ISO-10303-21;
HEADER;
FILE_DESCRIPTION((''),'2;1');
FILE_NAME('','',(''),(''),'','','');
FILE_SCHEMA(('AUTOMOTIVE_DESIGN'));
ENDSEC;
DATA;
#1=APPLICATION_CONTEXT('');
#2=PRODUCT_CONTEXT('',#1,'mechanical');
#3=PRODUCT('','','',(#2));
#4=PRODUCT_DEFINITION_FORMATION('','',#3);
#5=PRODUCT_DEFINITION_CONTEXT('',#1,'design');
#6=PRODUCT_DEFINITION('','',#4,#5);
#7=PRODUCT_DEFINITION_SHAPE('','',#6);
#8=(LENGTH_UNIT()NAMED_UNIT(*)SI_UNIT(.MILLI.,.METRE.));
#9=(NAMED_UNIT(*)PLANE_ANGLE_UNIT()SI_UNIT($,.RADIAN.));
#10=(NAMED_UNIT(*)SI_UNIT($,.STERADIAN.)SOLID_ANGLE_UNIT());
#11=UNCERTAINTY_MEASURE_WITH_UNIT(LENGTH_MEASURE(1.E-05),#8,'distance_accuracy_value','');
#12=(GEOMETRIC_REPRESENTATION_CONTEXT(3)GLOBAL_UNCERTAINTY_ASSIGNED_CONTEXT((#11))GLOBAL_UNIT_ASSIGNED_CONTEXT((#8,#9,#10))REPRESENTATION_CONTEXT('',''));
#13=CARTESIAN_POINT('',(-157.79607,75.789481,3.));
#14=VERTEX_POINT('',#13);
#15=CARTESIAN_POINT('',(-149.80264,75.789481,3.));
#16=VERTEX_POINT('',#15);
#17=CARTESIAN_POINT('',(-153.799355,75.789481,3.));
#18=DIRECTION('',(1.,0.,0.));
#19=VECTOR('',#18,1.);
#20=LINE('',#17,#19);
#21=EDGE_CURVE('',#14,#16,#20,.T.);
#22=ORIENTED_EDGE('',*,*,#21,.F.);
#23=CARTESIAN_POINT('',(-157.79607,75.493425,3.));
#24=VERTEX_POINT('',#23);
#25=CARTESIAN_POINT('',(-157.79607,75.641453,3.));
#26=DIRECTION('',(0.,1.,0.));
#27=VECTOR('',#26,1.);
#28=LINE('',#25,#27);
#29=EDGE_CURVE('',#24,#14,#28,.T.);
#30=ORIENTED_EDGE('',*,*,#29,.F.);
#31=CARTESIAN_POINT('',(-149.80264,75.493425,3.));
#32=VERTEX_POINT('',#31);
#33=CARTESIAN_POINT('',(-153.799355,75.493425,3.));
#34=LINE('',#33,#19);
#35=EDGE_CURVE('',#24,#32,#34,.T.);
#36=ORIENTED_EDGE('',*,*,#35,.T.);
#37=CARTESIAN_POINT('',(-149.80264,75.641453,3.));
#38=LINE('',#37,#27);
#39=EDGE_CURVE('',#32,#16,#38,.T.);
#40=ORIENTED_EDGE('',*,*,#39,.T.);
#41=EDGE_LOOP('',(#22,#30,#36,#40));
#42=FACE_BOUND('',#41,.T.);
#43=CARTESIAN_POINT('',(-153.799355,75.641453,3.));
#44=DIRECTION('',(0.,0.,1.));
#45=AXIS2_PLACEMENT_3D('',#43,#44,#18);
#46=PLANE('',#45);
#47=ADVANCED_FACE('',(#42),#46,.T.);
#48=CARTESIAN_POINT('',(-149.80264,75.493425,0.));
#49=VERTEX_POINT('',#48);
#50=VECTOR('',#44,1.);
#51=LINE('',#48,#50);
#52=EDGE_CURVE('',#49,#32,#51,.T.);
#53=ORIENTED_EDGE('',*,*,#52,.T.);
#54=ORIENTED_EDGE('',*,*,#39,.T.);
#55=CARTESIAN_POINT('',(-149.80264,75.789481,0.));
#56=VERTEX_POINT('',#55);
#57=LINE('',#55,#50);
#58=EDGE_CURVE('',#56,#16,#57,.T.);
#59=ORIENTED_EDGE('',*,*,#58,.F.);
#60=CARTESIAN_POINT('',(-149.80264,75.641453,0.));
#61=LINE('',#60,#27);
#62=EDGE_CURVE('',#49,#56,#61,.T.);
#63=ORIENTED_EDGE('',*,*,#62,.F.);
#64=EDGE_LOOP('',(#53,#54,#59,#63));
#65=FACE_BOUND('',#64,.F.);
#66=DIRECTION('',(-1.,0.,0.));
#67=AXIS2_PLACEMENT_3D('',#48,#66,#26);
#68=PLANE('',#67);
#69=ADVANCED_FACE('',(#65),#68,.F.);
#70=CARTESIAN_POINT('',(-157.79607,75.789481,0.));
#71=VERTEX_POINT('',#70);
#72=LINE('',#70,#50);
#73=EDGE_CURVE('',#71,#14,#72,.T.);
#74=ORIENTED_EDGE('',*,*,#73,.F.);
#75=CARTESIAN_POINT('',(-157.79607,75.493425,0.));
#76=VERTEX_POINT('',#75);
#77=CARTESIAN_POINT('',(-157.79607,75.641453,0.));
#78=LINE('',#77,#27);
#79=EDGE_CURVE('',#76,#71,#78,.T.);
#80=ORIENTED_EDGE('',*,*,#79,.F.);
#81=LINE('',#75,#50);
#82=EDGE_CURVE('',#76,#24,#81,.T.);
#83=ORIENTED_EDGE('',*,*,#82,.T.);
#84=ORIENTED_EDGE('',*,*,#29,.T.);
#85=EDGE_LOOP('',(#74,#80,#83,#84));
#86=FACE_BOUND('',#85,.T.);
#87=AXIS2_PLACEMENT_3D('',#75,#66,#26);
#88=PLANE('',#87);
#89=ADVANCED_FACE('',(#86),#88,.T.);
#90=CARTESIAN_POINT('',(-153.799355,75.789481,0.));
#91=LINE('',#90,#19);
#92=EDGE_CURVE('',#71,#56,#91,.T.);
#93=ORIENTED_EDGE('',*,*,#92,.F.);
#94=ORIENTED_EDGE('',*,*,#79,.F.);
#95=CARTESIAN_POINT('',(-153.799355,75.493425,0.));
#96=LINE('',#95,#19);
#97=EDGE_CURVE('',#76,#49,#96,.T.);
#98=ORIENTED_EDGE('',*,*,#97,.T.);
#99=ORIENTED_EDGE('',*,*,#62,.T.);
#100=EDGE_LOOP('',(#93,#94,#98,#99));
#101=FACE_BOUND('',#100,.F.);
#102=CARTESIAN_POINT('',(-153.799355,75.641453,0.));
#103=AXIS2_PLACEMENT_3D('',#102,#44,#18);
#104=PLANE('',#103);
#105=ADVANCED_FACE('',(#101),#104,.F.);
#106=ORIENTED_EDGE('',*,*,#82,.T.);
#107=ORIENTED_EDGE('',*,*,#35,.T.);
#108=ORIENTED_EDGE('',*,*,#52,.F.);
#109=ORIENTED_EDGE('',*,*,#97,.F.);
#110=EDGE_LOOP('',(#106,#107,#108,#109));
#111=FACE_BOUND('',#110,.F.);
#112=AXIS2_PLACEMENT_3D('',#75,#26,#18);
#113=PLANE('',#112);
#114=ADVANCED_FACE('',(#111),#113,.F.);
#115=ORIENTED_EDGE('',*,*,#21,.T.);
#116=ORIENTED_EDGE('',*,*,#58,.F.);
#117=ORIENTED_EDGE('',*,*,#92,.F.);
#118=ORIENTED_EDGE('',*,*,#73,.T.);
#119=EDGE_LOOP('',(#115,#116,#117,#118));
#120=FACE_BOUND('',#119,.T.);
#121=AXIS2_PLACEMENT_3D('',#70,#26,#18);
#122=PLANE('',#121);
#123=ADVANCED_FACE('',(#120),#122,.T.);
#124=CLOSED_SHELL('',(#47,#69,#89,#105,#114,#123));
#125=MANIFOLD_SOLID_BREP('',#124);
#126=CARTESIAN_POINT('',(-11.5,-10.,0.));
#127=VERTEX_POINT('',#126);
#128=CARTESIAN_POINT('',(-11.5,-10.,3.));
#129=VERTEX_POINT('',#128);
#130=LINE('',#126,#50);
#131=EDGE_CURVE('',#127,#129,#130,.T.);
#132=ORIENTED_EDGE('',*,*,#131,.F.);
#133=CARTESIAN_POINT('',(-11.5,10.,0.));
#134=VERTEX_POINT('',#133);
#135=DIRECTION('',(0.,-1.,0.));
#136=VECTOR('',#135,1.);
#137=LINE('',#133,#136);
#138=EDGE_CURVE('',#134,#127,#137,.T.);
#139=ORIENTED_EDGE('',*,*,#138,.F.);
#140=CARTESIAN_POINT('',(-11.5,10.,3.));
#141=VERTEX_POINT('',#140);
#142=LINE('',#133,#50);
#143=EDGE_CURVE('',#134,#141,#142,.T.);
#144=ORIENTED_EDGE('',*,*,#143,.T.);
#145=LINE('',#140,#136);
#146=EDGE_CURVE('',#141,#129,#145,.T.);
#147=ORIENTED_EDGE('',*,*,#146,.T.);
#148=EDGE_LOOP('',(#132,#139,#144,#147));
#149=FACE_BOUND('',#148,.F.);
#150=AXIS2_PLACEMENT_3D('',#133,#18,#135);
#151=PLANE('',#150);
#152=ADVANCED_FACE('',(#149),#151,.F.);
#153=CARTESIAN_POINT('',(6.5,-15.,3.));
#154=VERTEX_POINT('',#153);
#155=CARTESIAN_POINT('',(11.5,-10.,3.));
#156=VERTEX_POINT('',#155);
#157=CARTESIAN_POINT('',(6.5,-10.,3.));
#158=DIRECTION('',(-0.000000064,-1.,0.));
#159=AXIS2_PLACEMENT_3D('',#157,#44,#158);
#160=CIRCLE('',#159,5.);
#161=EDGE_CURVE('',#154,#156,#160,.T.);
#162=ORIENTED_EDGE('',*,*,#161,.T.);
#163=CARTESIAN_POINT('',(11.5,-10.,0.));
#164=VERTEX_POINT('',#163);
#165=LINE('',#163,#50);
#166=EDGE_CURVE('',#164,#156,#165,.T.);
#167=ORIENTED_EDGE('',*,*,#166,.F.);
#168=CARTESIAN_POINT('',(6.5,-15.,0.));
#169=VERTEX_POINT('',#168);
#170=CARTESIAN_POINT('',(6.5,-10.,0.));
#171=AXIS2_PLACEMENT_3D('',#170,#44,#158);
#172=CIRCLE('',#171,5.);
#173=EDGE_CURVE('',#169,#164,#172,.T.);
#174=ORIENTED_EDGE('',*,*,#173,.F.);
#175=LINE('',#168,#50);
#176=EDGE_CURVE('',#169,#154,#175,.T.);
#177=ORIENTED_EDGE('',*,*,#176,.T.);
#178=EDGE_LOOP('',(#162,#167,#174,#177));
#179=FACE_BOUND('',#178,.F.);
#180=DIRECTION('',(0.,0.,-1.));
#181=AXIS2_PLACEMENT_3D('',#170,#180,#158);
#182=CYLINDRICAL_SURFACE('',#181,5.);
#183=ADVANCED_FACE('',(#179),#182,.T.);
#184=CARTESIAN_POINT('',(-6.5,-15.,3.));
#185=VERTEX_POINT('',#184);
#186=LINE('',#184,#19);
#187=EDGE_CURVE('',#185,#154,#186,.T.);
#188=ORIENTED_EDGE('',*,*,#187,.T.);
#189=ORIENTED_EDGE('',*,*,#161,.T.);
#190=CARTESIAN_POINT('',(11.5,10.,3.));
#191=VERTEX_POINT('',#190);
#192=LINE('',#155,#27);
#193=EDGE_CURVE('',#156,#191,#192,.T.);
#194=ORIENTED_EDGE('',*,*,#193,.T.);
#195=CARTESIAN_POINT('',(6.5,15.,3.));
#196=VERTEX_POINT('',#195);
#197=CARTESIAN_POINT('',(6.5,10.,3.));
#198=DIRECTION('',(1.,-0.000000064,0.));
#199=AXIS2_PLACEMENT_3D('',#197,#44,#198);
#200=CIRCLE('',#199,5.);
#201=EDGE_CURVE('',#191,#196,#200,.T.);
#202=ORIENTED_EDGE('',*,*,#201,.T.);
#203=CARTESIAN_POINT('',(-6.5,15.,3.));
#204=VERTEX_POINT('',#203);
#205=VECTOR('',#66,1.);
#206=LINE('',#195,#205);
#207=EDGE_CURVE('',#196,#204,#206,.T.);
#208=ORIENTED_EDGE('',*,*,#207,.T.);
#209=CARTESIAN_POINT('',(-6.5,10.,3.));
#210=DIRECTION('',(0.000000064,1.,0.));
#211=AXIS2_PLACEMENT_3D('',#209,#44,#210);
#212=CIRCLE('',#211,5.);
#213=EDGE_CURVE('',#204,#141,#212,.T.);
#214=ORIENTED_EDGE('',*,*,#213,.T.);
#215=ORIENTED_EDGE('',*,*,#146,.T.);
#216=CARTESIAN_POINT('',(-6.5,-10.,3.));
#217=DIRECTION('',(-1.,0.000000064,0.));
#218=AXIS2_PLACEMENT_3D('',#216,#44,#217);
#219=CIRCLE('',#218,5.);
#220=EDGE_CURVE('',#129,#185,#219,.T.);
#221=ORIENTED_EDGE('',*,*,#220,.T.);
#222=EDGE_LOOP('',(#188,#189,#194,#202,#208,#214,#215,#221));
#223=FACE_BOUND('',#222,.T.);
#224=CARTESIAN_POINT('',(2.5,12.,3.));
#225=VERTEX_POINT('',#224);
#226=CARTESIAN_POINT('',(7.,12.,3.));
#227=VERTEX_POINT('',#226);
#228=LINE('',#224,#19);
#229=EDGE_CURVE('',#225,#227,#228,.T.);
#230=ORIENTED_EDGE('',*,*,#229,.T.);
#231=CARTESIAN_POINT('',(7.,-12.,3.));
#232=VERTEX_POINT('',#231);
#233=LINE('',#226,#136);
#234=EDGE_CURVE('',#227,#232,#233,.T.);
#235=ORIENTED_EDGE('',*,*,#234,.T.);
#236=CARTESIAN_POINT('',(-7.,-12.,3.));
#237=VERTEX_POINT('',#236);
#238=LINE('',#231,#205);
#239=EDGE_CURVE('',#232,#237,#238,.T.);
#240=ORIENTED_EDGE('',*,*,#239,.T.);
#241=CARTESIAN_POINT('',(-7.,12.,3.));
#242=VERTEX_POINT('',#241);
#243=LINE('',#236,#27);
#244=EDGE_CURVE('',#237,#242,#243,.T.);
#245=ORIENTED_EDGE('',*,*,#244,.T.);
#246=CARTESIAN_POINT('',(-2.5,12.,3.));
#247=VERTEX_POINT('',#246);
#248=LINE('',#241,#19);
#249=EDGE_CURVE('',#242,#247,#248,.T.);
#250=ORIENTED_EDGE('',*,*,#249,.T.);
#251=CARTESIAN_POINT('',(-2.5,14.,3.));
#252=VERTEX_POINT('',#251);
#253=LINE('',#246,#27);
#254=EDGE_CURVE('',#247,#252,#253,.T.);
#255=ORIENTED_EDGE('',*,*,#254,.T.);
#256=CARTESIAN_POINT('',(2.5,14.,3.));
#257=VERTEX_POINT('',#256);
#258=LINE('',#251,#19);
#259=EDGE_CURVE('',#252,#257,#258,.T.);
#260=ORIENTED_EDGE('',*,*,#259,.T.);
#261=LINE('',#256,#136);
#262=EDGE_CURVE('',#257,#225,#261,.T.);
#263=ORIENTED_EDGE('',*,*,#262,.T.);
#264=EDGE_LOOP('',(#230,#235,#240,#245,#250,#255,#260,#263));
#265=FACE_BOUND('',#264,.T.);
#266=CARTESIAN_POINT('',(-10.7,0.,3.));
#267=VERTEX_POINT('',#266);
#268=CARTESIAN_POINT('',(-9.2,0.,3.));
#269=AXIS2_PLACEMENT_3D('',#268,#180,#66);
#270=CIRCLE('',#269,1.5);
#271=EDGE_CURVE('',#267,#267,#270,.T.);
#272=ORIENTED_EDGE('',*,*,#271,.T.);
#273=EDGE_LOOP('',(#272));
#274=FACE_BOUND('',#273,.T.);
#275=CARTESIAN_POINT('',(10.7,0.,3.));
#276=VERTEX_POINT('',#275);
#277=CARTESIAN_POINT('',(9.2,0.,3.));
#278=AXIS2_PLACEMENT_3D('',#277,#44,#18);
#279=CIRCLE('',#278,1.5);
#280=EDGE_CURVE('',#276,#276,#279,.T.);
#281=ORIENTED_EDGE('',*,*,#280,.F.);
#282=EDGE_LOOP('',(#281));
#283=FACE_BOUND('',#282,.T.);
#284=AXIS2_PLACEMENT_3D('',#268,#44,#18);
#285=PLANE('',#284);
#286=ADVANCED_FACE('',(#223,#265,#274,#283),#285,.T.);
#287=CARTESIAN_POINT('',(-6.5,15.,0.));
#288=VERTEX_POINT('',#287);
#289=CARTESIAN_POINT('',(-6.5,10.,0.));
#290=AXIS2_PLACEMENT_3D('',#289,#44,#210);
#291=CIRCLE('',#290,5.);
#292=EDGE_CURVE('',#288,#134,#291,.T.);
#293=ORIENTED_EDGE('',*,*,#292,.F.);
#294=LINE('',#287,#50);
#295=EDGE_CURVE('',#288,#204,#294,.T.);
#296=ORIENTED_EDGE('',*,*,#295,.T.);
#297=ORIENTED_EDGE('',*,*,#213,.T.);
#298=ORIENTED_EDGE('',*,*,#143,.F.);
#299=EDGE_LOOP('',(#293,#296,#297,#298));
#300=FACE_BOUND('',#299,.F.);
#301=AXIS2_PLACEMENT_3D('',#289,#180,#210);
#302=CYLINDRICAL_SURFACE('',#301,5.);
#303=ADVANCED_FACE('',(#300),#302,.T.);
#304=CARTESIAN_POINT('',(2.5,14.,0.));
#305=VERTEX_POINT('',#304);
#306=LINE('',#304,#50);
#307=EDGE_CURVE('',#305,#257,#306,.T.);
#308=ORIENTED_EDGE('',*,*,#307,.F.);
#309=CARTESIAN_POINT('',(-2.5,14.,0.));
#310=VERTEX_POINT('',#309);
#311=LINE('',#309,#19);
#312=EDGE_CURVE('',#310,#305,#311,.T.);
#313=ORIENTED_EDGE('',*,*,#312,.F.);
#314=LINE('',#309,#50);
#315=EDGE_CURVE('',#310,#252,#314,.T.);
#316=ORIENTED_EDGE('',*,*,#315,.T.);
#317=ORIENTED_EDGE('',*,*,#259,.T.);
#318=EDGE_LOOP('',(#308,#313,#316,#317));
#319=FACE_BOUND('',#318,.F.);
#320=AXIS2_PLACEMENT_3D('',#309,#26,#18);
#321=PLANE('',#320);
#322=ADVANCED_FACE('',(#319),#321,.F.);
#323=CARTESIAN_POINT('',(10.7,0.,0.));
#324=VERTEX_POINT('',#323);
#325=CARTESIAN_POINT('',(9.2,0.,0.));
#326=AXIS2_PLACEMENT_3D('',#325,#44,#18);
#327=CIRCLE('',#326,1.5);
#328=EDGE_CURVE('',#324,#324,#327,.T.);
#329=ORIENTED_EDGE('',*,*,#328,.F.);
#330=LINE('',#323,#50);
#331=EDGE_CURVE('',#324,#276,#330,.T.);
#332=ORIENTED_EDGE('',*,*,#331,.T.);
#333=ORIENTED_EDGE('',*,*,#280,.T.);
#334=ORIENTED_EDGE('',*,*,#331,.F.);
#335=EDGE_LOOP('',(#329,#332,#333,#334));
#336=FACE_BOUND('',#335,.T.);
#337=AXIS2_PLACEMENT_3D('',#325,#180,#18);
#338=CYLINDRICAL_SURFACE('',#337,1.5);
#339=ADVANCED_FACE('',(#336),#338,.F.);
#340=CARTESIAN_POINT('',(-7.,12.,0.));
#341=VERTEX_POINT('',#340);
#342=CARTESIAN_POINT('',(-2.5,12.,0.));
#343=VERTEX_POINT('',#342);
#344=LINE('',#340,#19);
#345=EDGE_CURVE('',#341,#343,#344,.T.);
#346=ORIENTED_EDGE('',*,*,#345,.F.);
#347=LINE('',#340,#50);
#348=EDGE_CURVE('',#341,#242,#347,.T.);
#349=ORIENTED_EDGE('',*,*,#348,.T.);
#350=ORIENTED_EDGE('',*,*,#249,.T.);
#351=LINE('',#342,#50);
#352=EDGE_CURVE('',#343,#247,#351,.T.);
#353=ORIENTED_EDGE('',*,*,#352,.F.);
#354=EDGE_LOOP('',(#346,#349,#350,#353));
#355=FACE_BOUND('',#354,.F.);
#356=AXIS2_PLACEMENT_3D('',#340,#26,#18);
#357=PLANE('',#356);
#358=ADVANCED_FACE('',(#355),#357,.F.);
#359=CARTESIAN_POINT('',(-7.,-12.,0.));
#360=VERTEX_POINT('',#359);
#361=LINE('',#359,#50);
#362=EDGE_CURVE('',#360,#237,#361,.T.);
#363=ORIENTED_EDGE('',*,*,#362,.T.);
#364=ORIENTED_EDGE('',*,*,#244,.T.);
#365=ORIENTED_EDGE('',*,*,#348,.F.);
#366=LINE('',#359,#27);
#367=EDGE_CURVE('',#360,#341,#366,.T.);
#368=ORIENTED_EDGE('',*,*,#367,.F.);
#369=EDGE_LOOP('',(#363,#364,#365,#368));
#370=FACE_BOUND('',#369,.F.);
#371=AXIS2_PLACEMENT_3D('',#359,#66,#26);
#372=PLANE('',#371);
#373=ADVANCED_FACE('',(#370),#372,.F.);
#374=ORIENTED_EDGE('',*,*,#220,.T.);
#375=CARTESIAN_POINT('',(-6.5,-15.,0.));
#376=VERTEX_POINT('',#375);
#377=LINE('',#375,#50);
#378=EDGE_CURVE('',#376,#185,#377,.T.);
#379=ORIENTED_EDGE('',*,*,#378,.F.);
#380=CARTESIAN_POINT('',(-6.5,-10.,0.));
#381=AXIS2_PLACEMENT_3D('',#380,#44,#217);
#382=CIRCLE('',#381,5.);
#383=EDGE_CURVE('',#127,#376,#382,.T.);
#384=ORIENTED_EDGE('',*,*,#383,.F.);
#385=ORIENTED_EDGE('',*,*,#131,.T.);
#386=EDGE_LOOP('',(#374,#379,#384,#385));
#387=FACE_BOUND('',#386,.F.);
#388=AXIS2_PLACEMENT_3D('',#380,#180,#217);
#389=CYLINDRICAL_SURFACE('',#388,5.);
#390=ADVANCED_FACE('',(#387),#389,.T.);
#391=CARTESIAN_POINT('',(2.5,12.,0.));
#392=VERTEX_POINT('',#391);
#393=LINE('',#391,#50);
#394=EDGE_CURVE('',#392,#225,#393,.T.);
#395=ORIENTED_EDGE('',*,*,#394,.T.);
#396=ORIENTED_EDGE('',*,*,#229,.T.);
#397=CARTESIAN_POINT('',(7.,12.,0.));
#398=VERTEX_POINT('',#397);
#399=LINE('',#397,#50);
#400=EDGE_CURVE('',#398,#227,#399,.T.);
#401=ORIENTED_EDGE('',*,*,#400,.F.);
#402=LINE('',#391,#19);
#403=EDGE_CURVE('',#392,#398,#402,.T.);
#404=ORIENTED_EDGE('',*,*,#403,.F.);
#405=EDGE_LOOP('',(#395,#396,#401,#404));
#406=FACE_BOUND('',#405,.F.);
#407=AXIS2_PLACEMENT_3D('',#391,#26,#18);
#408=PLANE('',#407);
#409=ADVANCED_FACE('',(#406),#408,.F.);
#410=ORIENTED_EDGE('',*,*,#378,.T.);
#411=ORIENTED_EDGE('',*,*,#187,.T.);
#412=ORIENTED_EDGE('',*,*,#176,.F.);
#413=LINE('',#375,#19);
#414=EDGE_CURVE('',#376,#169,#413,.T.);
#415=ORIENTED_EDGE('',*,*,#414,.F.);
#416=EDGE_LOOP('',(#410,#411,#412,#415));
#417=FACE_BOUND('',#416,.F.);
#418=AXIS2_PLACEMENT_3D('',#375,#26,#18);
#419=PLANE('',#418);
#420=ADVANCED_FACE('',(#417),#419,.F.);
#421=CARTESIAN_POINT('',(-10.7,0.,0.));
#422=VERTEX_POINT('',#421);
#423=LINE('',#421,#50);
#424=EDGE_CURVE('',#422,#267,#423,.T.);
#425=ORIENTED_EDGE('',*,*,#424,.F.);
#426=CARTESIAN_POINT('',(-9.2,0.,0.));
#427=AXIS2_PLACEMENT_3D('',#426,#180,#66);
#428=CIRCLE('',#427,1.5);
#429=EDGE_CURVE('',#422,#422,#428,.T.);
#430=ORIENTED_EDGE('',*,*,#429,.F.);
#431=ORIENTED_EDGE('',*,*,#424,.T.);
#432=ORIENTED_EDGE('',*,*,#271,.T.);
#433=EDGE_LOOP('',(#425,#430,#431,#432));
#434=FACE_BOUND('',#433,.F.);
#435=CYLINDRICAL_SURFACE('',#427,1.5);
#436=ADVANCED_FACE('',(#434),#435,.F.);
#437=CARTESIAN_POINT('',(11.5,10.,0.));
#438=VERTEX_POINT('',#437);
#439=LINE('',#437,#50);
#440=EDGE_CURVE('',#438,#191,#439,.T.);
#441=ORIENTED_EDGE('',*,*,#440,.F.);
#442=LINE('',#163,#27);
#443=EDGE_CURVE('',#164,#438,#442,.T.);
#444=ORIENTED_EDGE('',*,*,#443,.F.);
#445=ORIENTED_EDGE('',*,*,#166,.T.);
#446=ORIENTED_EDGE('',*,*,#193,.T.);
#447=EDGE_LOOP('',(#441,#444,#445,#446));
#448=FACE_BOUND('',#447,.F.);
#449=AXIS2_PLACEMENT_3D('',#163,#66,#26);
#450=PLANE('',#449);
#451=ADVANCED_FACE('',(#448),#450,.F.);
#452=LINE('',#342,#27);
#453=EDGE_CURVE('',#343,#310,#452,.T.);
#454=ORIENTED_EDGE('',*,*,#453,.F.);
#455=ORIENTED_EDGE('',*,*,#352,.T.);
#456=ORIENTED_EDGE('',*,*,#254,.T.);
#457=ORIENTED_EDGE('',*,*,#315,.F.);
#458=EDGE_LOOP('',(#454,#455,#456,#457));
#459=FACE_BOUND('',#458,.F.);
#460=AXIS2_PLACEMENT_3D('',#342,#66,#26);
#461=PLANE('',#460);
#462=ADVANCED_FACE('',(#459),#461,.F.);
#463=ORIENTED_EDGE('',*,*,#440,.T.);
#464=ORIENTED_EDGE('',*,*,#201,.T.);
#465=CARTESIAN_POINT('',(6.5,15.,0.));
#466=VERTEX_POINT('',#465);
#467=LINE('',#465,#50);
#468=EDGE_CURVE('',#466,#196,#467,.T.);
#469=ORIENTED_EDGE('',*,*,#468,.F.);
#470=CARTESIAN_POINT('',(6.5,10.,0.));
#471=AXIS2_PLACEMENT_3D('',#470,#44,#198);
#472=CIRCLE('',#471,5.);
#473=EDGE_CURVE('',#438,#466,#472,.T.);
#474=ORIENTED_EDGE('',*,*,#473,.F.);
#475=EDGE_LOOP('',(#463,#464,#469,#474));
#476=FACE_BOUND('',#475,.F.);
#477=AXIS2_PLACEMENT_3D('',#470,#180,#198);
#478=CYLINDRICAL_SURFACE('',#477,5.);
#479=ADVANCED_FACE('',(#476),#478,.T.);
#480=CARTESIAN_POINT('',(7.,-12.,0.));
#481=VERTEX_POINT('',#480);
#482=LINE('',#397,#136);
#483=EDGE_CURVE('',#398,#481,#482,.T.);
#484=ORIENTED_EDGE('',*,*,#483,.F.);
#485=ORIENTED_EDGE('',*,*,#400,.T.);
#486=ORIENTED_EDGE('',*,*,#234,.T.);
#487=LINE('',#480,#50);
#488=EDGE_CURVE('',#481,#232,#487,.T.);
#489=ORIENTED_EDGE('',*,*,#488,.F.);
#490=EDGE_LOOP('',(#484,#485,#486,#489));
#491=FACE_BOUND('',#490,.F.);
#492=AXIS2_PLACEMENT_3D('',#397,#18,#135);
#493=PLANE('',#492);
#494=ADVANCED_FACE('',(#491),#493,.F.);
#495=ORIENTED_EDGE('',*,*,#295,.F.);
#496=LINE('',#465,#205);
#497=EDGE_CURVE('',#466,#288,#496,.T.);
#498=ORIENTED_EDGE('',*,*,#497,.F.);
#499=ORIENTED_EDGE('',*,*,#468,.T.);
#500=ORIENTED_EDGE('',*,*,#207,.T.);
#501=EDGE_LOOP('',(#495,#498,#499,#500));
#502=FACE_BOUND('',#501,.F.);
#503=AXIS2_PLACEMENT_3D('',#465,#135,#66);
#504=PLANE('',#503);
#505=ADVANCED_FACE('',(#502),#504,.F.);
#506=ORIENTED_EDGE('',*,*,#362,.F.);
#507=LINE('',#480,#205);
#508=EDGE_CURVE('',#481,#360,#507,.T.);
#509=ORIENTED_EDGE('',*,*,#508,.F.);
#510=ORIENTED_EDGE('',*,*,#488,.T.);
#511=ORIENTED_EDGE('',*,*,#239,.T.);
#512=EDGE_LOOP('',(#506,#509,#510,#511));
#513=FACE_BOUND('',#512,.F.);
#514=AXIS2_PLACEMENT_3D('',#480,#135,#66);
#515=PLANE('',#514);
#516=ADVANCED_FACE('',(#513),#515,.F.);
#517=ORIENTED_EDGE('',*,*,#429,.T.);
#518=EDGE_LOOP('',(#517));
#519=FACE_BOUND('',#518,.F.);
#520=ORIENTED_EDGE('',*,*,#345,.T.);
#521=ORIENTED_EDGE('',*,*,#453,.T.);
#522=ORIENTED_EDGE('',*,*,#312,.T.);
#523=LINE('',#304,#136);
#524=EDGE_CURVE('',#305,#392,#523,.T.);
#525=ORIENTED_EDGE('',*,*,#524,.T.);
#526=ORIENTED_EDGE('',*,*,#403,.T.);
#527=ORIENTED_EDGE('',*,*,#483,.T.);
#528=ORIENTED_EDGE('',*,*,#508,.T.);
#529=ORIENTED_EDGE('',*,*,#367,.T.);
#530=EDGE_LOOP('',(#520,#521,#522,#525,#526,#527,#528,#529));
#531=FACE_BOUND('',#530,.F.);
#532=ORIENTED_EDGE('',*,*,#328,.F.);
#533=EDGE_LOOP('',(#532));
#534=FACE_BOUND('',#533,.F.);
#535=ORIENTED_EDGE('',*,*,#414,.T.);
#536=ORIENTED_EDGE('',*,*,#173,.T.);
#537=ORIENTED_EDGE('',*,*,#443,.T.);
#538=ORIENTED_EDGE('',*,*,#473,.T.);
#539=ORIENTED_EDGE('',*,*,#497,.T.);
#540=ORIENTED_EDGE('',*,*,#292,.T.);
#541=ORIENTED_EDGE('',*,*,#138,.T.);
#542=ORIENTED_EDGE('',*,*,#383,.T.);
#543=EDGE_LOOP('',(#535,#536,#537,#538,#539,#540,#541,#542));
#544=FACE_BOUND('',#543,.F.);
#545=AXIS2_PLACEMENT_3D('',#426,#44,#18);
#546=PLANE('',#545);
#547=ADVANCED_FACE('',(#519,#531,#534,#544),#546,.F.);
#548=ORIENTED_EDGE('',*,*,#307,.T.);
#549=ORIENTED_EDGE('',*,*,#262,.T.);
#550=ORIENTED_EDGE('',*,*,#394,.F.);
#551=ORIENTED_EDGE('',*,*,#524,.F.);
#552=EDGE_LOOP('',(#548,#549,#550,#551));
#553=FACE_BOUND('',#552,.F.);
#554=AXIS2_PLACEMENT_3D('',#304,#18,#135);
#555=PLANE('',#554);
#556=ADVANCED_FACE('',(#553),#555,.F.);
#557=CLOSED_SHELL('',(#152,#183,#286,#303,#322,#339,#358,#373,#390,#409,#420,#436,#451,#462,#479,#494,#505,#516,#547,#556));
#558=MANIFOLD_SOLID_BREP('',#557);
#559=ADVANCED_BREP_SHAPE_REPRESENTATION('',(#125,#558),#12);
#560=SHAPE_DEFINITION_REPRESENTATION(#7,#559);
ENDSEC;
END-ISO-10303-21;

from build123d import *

# Parameters (mm, degrees)
F0_W     = 7.99343
F0_H     = 0.296056
F0_R     = 1.5
F1_DEPTH = 3


with BuildPart() as f1:
    # F0 (on Top) → F1 (new body)
    with BuildSketch(Plane.XY):
        with Locations((-153.799355, 75.641453)):
            Rectangle(F0_W, F0_H)
        with BuildLine():
            ThreePointArc((-7.7, 0), (-9.2, 1.5), (-10.7, 0))
            ThreePointArc((-10.7, 0), (-9.2, -1.5), (-7.7, 0))
        make_face()
        with Locations((9.2, 0)):
            Circle(F0_R)
        with BuildLine():
            ThreePointArc((11.5, 10), (10.035534, 13.535534), (6.5, 15))
            Line((6.5, 15), (-6.5, 15))
            ThreePointArc((-6.5, 15), (-10.035534, 13.535534), (-11.5, 10))
            Line((-11.5, 10), (-11.5, 0))
            Line((-11.5, 0), (-11.5, -10))
            ThreePointArc((-11.5, -10), (-10.035534, -13.535534), (-6.5, -15))
            Line((-6.5, -15), (6.5, -15))
            ThreePointArc((6.5, -15), (10.035534, -13.535534), (11.5, -10))
            Line((11.5, -10), (11.5, 0))
            Line((11.5, 0), (11.5, 10))
        make_face()
        with BuildLine():
            ThreePointArc((-7.7, 0), (-9.2, -1.5), (-10.7, 0))
            ThreePointArc((-10.7, 0), (-9.2, 1.5), (-7.7, 0))
        make_face(mode=Mode.SUBTRACT)
        Polygon((2.5, 12), (7, 12), (7, -12), (-7, -12), (-7, 12), (-2.5, 12), (-2.5, 14), (2.5, 14), align=None, mode=Mode.SUBTRACT)
        with Locations((9.2, 0)):
            Circle(F0_R, mode=Mode.SUBTRACT)
    extrude(amount=F1_DEPTH)


solid = f1.part
